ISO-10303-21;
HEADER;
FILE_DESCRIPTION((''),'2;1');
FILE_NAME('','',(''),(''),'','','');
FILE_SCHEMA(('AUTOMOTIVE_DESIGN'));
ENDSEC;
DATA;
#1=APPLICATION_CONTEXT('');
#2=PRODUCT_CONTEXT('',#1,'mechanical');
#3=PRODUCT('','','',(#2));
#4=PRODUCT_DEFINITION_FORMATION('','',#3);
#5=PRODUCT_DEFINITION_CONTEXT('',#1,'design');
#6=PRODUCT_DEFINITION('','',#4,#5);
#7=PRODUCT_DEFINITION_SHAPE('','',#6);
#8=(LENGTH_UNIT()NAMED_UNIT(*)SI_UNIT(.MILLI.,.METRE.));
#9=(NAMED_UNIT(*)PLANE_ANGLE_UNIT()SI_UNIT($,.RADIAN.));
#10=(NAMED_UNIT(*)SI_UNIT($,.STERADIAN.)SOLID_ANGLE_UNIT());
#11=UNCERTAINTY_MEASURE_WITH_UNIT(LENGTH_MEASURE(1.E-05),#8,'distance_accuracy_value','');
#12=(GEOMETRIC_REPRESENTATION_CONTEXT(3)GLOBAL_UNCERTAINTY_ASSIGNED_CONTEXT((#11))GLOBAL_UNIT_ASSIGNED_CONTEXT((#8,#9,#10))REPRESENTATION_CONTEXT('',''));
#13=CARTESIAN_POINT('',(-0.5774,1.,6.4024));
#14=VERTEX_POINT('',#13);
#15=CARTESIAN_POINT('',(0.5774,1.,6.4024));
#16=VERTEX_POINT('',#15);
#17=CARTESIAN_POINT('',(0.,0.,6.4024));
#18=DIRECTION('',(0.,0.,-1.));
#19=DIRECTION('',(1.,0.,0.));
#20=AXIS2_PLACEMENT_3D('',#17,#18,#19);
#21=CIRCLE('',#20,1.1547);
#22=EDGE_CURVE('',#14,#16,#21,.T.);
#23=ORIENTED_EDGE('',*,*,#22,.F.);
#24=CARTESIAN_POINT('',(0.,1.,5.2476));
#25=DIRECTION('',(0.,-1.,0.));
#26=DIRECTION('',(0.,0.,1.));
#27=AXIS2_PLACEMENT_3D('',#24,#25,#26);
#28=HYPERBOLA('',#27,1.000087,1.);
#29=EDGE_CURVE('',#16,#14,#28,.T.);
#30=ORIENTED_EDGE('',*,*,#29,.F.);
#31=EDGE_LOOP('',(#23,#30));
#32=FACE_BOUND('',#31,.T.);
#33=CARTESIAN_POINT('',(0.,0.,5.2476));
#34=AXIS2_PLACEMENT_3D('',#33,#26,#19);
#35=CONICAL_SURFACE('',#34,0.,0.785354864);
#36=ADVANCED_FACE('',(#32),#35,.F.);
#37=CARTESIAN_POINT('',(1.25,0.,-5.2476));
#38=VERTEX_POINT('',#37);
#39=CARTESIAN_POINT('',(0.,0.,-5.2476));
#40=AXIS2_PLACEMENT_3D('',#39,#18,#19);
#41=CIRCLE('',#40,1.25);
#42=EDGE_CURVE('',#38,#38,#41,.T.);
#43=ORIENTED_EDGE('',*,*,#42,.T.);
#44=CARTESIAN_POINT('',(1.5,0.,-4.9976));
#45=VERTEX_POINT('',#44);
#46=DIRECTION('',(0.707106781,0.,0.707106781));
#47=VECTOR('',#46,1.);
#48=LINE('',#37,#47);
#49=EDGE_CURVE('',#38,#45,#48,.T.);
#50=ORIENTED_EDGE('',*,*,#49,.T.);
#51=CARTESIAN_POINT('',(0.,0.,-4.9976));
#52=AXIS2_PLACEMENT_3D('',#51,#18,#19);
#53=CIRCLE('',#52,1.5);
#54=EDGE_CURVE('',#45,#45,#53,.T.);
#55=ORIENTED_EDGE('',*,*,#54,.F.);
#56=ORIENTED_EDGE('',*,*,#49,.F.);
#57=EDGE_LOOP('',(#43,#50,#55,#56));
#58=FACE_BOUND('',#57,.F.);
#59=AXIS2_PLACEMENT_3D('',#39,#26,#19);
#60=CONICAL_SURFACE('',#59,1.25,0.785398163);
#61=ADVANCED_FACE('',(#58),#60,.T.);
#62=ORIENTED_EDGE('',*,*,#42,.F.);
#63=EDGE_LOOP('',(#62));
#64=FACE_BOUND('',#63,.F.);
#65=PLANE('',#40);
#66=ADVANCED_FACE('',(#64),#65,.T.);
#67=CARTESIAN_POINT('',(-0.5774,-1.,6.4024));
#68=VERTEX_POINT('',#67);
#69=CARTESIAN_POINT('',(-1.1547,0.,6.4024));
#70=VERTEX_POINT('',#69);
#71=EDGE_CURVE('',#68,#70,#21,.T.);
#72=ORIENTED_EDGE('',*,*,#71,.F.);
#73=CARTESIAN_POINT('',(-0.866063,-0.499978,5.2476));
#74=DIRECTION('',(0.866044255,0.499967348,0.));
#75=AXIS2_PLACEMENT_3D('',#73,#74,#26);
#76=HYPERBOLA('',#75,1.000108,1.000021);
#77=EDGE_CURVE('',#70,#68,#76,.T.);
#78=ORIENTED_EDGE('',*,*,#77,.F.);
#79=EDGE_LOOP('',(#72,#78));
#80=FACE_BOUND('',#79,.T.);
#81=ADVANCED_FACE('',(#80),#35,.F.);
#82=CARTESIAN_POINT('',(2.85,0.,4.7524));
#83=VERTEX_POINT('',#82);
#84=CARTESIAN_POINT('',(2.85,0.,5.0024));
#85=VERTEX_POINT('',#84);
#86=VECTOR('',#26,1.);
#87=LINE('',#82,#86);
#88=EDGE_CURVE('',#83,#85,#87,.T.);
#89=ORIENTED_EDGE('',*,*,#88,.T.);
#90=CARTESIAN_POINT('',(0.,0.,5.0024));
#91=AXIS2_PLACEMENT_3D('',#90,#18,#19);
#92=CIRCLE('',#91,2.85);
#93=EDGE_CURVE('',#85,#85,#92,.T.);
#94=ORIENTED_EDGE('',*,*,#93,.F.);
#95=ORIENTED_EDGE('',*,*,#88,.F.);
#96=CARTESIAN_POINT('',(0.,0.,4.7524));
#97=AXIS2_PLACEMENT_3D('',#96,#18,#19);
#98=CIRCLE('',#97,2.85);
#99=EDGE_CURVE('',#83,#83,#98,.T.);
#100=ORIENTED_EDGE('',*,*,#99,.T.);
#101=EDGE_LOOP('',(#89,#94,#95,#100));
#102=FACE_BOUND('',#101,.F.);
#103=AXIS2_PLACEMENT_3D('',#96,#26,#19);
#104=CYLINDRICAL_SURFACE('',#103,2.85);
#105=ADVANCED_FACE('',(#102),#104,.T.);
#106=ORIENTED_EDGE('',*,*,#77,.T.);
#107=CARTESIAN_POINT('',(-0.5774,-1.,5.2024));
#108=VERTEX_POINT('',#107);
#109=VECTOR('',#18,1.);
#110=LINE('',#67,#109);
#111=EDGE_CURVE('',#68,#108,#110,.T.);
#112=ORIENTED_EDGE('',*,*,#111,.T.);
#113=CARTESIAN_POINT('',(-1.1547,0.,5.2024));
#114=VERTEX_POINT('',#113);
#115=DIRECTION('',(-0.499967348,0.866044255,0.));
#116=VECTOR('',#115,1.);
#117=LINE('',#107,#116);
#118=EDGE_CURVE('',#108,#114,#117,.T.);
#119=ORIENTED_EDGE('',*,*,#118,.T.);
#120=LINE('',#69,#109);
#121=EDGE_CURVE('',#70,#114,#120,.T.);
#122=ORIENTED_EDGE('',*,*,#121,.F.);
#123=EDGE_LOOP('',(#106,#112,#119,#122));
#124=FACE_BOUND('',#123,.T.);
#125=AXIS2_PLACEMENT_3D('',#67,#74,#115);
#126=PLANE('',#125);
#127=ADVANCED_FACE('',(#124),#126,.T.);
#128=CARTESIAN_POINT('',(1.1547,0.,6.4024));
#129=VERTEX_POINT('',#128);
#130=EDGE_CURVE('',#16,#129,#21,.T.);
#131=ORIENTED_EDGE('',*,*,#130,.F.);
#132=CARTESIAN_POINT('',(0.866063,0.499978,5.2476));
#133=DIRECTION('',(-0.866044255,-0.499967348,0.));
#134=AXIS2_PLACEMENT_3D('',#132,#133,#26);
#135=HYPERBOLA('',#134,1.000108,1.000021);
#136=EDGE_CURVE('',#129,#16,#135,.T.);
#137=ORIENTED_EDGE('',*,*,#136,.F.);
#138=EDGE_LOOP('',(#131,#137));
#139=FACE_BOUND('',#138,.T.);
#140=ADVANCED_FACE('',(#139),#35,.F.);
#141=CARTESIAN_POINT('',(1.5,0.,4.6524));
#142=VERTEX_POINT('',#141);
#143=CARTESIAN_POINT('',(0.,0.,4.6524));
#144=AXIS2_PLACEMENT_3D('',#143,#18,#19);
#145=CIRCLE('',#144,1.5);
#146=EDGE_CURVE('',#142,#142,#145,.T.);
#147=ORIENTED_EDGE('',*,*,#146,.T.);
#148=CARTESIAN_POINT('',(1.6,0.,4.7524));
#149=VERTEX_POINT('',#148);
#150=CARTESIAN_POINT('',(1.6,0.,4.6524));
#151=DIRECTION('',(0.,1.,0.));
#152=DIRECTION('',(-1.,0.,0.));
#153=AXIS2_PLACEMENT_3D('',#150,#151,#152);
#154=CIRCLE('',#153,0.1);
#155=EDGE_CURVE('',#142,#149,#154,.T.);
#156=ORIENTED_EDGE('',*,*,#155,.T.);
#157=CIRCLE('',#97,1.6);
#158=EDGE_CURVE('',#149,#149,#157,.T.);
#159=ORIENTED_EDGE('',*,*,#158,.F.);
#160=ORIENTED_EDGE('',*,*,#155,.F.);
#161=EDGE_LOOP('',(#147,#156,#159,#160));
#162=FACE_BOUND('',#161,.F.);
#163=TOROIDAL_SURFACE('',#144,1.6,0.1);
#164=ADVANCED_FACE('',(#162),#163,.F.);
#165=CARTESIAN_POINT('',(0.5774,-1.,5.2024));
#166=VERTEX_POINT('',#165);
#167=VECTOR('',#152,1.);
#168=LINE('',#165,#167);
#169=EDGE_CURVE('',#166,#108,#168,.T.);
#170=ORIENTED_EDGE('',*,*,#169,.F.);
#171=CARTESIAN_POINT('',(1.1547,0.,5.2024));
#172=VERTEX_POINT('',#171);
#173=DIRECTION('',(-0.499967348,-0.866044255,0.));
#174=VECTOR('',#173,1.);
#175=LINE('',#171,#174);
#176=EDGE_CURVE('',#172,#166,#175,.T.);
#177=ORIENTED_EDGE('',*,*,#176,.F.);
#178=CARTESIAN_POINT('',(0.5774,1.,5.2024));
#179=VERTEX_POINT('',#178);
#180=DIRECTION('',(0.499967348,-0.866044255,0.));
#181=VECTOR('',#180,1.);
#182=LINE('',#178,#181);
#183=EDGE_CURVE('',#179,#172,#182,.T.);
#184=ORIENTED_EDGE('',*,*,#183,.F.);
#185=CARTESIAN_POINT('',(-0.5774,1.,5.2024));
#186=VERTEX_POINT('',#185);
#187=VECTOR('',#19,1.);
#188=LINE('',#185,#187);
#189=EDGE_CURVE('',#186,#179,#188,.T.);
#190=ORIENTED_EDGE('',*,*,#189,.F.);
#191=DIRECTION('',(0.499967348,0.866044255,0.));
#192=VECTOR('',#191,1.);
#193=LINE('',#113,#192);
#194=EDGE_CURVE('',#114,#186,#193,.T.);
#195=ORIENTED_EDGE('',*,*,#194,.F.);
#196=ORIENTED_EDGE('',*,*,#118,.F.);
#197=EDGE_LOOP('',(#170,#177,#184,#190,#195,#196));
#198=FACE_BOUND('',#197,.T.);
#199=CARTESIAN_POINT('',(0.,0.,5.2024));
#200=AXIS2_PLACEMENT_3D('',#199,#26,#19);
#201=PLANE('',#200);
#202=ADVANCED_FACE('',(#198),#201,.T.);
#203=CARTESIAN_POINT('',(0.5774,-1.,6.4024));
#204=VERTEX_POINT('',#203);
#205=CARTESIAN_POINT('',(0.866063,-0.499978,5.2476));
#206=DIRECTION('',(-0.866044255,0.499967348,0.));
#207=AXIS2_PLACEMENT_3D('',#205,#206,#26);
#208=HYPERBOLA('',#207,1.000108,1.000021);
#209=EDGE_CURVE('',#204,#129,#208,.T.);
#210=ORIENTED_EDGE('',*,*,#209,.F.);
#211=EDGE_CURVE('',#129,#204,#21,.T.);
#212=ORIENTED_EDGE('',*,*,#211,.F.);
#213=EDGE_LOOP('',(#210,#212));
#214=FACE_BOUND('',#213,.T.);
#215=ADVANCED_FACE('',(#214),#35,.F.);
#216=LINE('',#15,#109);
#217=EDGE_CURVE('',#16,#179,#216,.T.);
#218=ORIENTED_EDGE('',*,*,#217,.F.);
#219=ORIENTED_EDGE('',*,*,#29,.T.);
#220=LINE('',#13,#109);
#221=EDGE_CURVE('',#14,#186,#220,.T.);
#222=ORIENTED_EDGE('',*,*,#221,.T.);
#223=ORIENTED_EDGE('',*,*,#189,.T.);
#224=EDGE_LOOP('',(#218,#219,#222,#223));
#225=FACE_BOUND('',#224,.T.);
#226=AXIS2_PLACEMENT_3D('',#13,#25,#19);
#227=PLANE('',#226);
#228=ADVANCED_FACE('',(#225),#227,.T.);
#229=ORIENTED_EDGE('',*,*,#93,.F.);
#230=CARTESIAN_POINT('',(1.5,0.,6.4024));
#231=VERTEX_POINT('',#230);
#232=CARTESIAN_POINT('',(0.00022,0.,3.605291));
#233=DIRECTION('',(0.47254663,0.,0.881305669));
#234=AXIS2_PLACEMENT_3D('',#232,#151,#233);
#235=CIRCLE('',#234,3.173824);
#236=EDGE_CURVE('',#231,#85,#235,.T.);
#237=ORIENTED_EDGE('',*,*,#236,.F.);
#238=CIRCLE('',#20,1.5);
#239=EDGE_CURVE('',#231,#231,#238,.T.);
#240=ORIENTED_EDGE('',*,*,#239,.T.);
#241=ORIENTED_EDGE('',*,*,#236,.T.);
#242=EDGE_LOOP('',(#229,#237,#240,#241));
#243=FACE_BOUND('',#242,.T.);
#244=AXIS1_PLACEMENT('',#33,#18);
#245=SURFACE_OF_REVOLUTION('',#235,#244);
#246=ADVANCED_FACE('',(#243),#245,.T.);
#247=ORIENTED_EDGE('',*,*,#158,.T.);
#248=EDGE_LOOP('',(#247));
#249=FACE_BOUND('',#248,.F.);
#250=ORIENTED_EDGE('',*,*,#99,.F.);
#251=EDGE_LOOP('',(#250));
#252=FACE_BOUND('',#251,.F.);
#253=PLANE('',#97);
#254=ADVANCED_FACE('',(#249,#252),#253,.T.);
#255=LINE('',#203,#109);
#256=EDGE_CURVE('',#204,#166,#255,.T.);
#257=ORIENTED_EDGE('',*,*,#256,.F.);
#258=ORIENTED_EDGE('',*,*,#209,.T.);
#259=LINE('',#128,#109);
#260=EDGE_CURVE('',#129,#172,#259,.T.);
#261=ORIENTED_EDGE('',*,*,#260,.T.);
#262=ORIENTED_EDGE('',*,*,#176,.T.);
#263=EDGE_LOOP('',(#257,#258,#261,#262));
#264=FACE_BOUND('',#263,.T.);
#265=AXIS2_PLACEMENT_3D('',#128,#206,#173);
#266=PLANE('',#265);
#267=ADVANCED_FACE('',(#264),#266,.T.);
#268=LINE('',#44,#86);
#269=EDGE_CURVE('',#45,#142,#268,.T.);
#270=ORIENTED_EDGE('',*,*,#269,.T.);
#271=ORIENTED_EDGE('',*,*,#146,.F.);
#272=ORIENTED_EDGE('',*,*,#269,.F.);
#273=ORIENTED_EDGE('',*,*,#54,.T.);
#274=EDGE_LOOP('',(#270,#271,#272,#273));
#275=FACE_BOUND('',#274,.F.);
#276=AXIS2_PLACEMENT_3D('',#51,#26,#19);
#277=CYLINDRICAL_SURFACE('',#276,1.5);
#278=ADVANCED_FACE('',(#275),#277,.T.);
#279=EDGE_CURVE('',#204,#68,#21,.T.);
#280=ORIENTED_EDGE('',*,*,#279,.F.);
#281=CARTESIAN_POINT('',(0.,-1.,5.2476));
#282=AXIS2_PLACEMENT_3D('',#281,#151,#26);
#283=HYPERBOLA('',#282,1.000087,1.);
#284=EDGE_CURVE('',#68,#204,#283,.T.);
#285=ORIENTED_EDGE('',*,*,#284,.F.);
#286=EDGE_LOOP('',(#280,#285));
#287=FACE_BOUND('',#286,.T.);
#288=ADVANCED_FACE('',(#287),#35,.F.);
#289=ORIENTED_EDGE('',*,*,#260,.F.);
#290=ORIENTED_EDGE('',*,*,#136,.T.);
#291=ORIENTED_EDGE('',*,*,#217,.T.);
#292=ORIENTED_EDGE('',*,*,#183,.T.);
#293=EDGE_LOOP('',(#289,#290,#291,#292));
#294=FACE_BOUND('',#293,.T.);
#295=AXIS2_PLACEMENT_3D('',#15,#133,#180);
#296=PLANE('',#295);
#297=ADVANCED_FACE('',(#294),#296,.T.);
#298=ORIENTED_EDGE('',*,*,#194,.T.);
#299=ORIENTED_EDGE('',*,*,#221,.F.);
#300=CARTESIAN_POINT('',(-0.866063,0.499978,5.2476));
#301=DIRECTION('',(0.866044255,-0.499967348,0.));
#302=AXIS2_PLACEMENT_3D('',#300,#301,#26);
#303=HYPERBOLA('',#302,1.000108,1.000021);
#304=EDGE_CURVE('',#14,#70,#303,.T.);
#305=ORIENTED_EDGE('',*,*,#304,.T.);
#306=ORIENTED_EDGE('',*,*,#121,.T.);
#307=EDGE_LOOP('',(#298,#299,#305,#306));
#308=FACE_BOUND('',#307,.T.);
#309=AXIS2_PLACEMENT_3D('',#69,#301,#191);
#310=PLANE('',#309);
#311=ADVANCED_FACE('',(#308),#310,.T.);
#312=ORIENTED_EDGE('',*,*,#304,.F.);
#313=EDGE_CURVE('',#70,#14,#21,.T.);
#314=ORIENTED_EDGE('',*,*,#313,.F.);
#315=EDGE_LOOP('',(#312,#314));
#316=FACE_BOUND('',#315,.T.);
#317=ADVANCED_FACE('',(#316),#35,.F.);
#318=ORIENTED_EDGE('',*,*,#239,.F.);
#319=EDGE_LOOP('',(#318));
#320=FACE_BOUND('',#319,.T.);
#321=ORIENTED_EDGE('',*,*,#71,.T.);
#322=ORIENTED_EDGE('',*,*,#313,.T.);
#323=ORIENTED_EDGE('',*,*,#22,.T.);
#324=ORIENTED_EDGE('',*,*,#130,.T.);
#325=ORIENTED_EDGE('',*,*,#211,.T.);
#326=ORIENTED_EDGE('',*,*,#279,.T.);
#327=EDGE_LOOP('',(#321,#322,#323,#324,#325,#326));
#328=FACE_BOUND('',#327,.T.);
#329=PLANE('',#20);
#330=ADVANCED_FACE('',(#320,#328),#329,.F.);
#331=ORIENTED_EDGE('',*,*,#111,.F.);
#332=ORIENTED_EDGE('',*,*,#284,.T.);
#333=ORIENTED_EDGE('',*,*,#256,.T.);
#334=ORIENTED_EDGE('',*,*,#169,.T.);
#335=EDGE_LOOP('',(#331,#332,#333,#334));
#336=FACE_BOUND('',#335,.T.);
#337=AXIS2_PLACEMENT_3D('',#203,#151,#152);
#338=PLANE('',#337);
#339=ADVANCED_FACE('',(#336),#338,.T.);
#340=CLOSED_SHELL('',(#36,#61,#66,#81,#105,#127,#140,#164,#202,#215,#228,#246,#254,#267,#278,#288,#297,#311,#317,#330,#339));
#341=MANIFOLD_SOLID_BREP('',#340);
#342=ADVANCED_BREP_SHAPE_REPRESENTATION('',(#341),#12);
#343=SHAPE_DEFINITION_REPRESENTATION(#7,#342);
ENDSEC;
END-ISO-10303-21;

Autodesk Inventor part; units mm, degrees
ref_plane "YZ Plane" through (0, 0, 0) normal (1, 0, 0) x (0, 1, 0)
ref_plane "XZ Plane" through (0, 0, 0) normal (0, 1, 0) x (-1, 0, 0)
ref_plane "XY Plane" through (0, 0, 0) normal (0, 0, 1) x (1, 0, 0)
sketch "Sketch1" plane through (0, 0, 0) normal (0, 1, 0) x (-1, 0, 0)
  line L0 (0, 5.2476) -> (0, -5.2476)
  line L1 (0, -5.2476) -> (-1.25, -5.2476)
  line L2 (-1.25, -5.2476) -> (-1.5, -4.9976)
  line L3 (-1.5, -4.9976) -> (-1.5, 4.6524)
  line L4 (-1.6, 4.7524) -> (-2.85, 4.7524)
  line L5 (-2.85, 4.7524) -> (-2.85, 5.0024)
  line L6 (0, 5.2476) -> (-1.1547, 6.4024)
  line L7 (-1.1547, 6.4024) -> (-1.5, 6.4024)
  arc A0 (-1.5, 6.4024) -> (-2.85, 5.0024) centre (0, 3.605) ccw
  line L8 (-1.1547, 6.4024) -> (-0.5774, 7.4024) construction
  line L9 (-0.5774, 7.4024) -> (0.5774, 7.4024) construction
  line L10 (0.5774, 7.4024) -> (1.1547, 6.4024) construction
  line L11 (1.1547, 6.4024) -> (0.5774, 5.4024) construction
  line L12 (0.5774, 5.4024) -> (-0.5774, 5.4024) construction
  line L13 (-0.5774, 5.4024) -> (-1.1547, 6.4024) construction
  arc A1 (-1.5, 4.6524) -> (-1.6, 4.7524) centre (-1.6, 4.6524) ccw
  point P0 (0, 0)
  point P1 (-1.5, 4.7524)
  point P2 (0, 0)
  point P3 (0, 6.4024)
  dimension "d0" = 3
  dimension "d1" = 10
  dimension "d2" = 0.25
  dimension "d3" = 135
  dimension "d4" = 5.7
  dimension "d5" = 3
  dimension "d6" = 1.65
  dimension "d7" = 2
  dimension "d8" = 0.25
  dimension "d15" = 3.2
revolve "Revolution1" add sketch "Sketch1" angle 360 about axis through (0, 0, 5.2476) along (0, 0, -1)
sketch "Sketch2" plane through (0, 0, 6.4024) normal (0, 0, 1) x (1, 0, 0)
  circle A0 centre (0, 0) radius 1.1547 projected
  circle A1 centre (0, 0) radius 1.5 projected
  line L0 (-1.1547, 0) -> (-0.5774, 1)
  line L1 (-0.5774, 1) -> (0.5774, 1)
  line L2 (0.5774, 1) -> (1.1547, 0)
  line L3 (1.1547, 0) -> (0.5774, -1)
  line L4 (0.5774, -1) -> (-0.5774, -1)
  line L5 (-0.5774, -1) -> (-1.1547, 0)
  point P0 (0, 0)
extrude "Extrusion1" cut sketch "Sketch2" against normal blind 1.2 contours L3 L4 L5 L0 L1 L2
thread "Thread1" size "M3x0.35" class "6g" standard "ANSI Metric M Profile" full length
properties part number "Bolt_M3x0.35_10mm_BH" material "Stainless Steel"
